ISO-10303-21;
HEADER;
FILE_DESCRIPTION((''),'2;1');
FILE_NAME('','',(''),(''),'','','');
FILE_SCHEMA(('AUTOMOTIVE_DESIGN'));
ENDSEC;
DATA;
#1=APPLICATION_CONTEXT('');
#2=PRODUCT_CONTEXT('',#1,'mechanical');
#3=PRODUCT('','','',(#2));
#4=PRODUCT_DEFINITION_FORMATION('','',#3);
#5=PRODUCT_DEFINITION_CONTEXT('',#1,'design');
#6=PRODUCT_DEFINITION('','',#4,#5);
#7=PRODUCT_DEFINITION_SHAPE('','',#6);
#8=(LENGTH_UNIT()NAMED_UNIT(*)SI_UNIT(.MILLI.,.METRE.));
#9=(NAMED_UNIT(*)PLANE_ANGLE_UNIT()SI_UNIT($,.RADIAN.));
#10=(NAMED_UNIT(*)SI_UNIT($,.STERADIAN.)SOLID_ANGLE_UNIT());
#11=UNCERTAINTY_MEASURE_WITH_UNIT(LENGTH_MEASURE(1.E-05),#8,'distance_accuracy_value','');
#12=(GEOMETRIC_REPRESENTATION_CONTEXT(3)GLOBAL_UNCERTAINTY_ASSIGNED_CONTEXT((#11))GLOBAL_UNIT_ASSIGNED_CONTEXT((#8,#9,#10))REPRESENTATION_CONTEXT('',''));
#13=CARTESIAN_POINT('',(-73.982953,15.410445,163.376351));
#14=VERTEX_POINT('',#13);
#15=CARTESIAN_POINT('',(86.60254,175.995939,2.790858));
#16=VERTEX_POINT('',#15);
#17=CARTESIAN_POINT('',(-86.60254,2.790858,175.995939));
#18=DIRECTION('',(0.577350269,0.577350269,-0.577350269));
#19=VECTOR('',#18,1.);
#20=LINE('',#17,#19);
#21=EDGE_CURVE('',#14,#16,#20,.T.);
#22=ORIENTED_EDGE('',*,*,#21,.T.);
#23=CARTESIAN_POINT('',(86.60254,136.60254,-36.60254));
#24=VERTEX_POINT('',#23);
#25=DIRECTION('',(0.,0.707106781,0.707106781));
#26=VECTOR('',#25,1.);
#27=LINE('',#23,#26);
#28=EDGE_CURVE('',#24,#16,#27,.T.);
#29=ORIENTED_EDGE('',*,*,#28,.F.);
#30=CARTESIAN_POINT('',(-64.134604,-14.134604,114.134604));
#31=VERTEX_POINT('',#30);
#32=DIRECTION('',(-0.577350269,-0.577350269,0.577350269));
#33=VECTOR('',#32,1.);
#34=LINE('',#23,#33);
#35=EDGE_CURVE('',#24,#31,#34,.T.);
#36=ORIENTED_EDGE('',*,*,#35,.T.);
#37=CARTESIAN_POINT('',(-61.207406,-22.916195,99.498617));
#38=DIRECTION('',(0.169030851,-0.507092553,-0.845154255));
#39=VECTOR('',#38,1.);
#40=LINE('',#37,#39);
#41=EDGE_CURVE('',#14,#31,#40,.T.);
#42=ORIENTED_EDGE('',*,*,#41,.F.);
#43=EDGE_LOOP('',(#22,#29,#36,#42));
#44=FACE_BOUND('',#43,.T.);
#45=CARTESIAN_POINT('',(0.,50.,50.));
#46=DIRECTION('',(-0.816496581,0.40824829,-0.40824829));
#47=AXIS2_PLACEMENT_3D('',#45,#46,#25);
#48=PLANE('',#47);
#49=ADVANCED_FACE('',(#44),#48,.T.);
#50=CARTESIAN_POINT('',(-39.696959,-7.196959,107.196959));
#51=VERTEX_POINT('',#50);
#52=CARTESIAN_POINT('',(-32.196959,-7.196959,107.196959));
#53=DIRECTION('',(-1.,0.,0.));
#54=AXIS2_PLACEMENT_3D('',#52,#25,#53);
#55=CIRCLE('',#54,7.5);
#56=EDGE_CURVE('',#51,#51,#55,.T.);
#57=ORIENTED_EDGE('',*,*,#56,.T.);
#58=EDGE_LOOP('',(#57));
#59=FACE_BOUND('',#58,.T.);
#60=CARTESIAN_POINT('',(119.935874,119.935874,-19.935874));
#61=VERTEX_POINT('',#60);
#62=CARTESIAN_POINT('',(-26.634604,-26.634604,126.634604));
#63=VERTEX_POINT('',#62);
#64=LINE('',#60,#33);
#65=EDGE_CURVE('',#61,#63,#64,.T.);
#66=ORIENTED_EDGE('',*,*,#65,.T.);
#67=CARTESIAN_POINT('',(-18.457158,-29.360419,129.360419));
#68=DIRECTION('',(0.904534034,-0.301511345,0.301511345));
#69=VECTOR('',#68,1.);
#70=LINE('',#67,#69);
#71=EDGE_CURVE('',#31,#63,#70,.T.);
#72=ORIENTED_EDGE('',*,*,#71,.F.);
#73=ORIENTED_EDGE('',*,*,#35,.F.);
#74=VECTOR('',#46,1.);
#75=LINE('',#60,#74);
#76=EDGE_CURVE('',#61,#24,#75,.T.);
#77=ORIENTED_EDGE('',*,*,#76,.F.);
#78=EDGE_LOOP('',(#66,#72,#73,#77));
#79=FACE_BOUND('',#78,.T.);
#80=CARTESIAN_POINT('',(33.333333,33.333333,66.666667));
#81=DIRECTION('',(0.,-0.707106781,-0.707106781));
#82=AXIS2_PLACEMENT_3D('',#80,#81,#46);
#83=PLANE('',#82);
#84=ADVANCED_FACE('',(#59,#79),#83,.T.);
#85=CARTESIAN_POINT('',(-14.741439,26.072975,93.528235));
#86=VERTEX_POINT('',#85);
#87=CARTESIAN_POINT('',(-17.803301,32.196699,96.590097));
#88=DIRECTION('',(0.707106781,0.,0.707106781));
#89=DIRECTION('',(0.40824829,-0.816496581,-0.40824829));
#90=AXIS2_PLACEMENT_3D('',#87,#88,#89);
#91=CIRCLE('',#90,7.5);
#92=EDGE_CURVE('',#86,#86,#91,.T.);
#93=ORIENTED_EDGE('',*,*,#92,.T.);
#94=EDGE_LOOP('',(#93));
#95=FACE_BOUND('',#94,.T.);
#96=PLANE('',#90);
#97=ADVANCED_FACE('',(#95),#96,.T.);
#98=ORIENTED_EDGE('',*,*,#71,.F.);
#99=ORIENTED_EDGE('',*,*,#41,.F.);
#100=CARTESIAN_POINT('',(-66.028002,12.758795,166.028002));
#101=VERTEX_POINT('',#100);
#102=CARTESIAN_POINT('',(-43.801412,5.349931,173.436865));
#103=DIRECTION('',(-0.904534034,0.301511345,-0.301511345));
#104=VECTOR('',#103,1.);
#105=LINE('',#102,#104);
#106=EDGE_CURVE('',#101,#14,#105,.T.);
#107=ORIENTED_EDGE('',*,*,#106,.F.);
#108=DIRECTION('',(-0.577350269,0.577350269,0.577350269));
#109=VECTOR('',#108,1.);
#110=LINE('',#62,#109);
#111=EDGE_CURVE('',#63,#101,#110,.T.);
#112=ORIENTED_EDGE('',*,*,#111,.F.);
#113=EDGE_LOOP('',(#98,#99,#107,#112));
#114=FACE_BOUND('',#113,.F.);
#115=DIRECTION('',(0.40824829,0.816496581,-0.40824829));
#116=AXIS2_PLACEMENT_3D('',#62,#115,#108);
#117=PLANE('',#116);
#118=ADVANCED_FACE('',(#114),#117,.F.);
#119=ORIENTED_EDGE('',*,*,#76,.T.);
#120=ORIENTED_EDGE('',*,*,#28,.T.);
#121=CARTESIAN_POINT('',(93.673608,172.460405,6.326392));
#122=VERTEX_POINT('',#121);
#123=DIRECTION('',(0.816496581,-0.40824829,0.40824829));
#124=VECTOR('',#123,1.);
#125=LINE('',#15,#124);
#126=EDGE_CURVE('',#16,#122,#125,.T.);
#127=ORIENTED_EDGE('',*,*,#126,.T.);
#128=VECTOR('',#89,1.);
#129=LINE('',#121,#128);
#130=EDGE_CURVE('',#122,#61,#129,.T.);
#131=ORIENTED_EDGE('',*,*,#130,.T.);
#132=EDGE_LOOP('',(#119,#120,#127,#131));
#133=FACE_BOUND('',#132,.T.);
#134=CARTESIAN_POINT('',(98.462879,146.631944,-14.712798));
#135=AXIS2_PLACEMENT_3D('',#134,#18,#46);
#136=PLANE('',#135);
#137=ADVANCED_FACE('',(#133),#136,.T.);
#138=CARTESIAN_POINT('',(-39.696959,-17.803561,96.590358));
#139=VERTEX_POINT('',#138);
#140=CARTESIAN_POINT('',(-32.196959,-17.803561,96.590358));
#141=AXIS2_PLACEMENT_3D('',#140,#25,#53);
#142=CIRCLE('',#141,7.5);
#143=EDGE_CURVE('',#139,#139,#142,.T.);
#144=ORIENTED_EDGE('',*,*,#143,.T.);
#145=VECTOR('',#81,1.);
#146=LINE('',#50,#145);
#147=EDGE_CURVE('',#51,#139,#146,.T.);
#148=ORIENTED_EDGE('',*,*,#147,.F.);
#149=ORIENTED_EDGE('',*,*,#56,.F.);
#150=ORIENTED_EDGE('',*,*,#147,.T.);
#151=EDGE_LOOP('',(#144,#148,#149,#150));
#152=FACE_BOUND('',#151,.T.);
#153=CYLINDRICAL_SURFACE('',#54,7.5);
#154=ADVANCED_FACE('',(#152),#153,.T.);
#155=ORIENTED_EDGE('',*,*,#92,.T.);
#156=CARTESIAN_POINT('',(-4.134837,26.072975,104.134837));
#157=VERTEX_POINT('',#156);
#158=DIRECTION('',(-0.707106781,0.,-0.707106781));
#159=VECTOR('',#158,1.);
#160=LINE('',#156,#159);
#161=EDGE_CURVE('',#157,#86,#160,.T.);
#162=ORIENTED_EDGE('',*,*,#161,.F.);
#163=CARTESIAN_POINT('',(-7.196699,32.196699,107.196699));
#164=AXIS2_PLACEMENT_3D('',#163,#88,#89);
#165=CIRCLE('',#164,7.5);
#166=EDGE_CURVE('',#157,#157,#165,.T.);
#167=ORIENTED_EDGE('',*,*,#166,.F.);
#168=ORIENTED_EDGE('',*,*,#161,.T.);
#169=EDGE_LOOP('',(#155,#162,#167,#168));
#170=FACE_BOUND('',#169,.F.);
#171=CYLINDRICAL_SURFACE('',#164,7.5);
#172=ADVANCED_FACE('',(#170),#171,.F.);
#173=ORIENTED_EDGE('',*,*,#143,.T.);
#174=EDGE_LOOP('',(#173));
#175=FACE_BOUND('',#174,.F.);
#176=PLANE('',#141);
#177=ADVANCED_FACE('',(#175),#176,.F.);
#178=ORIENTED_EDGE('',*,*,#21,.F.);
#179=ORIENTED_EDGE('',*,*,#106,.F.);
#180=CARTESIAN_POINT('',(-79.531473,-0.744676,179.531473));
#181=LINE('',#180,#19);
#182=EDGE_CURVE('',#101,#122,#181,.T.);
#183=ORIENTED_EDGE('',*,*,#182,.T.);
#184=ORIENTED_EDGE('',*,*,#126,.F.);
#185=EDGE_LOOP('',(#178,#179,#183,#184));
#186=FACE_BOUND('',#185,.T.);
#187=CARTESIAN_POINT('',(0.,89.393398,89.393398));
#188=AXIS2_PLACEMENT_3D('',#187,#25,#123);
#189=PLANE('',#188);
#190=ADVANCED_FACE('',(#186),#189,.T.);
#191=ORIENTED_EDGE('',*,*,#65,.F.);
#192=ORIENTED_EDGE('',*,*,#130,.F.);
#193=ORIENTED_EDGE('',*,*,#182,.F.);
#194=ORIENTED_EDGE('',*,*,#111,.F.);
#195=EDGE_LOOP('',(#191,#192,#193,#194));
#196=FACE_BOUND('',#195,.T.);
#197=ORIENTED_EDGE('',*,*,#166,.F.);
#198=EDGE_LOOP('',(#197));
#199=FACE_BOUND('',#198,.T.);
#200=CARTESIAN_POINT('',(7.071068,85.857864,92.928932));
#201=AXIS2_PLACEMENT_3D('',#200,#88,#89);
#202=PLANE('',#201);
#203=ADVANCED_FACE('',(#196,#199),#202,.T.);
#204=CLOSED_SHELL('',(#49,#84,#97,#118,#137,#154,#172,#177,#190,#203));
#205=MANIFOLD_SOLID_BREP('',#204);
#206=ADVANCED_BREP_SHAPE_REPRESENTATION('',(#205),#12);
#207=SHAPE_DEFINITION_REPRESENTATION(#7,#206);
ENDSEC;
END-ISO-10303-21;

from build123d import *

# Parameters (mm, degrees)
PAD001_DEPTH            = 150
SKETCH001_R             = 7.5
PAD_DEPTH               = 15
SKETCH003_R             = 7.5
POCKET003_DEPTH         = 15
POCKET004_DEPTH         = 50
BODY004_PLACEMENT_ANGLE = 180


with BuildPart() as part:
    # Sketch002 (on DatumPlane) → Pad001 (new body, symmetric)
    with BuildSketch(Plane(origin=(0, -50, 50), x_dir=(0.8164965809, -0.4082482905, -0.4082482905), z_dir=(-0.5773502692, -0.5773502692, -0.5773502692))):
        Polygon((0, 0), (0, 55.7106781187), (-8.6602540378, 55.7106781187), (-40.8248290464, 0), align=None)
    extrude(amount=PAD001_DEPTH, both=True)

    # Sketch001 (on Face7 of Binder001) → Pad (join)
    with BuildSketch(Plane(origin=(0, -50, 50), x_dir=(1, 0, 0), z_dir=(0, -0.7071067812, 0.7071067812))):
        with Locations((32.1969593942, 80.8887157017)):
            Circle(SKETCH001_R)
    extrude(amount=-PAD_DEPTH)

    # Sketch003 (on Face6 of Pad) → Pocket003 (cut)
    with BuildSketch(Plane(origin=(-25, -50, 75), x_dir=(-0.4082482905, 0.8164965809, -0.4082482905), z_dir=(-0.7071067812, 0, 0.7071067812))):
        with Locations((-11.7521604853, -47.4562863756)):
            Circle(SKETCH003_R)
    extrude(amount=-POCKET003_DEPTH, mode=Mode.SUBTRACT)

    # Sketch005 (on Face6 of Pocket003) → Pocket004 (cut)
    with BuildSketch(Plane(origin=(-25, -50, 75), x_dir=(-0.4082482905, 0.8164965809, -0.4082482905), z_dir=(-0.7071067812, 0, 0.7071067812))):
        Polygon((20.4124145232, -103.8675134595), (-48.2468625128, -128.1422336512), (-48.2468625128, -150), (20.4124145232, -150), align=None)
    extrude(amount=-POCKET004_DEPTH, mode=Mode.SUBTRACT)


with BuildPart() as part_1:
    # Body004 placement: moved
    add(part.part.rotate(Axis((0, 0, 0), (0, 0, 1)), BODY004_PLACEMENT_ANGLE))


solid = part_1.part
